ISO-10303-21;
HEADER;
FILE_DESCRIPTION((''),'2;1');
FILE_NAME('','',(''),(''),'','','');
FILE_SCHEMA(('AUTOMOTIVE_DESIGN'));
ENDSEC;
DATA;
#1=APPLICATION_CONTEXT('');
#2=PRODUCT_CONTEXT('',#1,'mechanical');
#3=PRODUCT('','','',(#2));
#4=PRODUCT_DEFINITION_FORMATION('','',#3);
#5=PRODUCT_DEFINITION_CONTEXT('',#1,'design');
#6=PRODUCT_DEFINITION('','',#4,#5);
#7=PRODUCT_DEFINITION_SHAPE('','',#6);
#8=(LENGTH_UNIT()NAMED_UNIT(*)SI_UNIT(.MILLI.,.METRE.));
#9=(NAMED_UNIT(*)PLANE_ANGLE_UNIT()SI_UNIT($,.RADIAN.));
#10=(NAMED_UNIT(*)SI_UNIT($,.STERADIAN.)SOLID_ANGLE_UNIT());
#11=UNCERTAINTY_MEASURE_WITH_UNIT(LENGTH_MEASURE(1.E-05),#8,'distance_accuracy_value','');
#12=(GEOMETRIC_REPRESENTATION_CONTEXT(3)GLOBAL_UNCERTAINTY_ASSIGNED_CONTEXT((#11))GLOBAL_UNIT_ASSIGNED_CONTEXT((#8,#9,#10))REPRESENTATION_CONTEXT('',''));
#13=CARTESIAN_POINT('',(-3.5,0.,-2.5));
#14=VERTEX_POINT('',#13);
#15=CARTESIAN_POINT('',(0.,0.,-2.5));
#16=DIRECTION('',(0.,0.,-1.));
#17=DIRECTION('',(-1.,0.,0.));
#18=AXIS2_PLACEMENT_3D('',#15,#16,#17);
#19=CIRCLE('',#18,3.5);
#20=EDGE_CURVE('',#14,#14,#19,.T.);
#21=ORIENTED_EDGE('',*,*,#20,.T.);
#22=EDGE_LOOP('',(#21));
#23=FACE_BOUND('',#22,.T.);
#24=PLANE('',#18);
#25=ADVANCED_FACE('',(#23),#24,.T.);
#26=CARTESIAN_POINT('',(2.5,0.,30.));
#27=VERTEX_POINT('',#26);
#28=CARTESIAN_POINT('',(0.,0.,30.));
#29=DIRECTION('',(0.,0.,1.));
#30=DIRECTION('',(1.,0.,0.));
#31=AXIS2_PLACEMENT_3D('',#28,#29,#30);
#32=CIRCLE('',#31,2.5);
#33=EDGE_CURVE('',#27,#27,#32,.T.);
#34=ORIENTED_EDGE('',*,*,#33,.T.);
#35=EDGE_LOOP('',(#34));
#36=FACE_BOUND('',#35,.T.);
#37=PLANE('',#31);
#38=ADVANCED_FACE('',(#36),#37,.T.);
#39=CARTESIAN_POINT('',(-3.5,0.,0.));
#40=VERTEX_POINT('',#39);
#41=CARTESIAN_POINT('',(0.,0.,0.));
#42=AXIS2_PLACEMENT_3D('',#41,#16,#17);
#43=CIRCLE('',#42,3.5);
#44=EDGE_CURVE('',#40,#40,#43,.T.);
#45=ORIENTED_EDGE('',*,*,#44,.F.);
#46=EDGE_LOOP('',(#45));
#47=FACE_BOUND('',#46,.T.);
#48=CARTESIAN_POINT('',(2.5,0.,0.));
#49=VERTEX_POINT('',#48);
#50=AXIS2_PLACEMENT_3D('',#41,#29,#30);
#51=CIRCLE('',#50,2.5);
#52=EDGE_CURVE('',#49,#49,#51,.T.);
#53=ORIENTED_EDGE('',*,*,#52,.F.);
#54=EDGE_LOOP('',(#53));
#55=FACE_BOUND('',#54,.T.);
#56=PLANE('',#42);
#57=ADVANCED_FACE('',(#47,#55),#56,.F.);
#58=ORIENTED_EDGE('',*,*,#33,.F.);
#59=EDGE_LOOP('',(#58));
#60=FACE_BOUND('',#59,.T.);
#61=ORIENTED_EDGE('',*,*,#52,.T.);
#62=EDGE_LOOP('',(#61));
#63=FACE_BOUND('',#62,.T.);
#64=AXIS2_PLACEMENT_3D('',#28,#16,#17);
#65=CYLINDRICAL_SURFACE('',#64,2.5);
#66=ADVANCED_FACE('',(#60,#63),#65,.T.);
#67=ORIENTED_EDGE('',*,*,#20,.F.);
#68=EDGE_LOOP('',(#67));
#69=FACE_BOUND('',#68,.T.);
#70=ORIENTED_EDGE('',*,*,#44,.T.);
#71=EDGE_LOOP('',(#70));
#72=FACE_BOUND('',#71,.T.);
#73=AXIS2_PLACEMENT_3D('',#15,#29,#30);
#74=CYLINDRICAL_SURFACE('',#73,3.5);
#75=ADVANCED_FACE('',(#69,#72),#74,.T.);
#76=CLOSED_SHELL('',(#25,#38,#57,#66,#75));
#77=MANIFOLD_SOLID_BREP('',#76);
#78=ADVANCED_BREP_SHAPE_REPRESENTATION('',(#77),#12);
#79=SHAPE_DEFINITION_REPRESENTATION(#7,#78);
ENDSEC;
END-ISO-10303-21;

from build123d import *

# Parameters (mm, degrees)
SKETCH1_R           = 2.5
BOSS_EXTRUDE1_DEPTH = 30
SKETCH2_R           = 3.5
BOSS_EXTRUDE2_DEPTH = 2.5


with BuildPart() as part:
    # Sketch1 → Boss-Extrude1 (new body)
    with BuildSketch(Plane.XY):
        Circle(SKETCH1_R)
    extrude(amount=BOSS_EXTRUDE1_DEPTH)

    # Sketch2 → Boss-Extrude2 (add)
    with BuildSketch(Plane(origin=(0, 0, 0), x_dir=(-1, 0, 0), z_dir=(0, 0, -1))):
        Circle(SKETCH2_R)
    extrude(amount=BOSS_EXTRUDE2_DEPTH)


solid = part.part
